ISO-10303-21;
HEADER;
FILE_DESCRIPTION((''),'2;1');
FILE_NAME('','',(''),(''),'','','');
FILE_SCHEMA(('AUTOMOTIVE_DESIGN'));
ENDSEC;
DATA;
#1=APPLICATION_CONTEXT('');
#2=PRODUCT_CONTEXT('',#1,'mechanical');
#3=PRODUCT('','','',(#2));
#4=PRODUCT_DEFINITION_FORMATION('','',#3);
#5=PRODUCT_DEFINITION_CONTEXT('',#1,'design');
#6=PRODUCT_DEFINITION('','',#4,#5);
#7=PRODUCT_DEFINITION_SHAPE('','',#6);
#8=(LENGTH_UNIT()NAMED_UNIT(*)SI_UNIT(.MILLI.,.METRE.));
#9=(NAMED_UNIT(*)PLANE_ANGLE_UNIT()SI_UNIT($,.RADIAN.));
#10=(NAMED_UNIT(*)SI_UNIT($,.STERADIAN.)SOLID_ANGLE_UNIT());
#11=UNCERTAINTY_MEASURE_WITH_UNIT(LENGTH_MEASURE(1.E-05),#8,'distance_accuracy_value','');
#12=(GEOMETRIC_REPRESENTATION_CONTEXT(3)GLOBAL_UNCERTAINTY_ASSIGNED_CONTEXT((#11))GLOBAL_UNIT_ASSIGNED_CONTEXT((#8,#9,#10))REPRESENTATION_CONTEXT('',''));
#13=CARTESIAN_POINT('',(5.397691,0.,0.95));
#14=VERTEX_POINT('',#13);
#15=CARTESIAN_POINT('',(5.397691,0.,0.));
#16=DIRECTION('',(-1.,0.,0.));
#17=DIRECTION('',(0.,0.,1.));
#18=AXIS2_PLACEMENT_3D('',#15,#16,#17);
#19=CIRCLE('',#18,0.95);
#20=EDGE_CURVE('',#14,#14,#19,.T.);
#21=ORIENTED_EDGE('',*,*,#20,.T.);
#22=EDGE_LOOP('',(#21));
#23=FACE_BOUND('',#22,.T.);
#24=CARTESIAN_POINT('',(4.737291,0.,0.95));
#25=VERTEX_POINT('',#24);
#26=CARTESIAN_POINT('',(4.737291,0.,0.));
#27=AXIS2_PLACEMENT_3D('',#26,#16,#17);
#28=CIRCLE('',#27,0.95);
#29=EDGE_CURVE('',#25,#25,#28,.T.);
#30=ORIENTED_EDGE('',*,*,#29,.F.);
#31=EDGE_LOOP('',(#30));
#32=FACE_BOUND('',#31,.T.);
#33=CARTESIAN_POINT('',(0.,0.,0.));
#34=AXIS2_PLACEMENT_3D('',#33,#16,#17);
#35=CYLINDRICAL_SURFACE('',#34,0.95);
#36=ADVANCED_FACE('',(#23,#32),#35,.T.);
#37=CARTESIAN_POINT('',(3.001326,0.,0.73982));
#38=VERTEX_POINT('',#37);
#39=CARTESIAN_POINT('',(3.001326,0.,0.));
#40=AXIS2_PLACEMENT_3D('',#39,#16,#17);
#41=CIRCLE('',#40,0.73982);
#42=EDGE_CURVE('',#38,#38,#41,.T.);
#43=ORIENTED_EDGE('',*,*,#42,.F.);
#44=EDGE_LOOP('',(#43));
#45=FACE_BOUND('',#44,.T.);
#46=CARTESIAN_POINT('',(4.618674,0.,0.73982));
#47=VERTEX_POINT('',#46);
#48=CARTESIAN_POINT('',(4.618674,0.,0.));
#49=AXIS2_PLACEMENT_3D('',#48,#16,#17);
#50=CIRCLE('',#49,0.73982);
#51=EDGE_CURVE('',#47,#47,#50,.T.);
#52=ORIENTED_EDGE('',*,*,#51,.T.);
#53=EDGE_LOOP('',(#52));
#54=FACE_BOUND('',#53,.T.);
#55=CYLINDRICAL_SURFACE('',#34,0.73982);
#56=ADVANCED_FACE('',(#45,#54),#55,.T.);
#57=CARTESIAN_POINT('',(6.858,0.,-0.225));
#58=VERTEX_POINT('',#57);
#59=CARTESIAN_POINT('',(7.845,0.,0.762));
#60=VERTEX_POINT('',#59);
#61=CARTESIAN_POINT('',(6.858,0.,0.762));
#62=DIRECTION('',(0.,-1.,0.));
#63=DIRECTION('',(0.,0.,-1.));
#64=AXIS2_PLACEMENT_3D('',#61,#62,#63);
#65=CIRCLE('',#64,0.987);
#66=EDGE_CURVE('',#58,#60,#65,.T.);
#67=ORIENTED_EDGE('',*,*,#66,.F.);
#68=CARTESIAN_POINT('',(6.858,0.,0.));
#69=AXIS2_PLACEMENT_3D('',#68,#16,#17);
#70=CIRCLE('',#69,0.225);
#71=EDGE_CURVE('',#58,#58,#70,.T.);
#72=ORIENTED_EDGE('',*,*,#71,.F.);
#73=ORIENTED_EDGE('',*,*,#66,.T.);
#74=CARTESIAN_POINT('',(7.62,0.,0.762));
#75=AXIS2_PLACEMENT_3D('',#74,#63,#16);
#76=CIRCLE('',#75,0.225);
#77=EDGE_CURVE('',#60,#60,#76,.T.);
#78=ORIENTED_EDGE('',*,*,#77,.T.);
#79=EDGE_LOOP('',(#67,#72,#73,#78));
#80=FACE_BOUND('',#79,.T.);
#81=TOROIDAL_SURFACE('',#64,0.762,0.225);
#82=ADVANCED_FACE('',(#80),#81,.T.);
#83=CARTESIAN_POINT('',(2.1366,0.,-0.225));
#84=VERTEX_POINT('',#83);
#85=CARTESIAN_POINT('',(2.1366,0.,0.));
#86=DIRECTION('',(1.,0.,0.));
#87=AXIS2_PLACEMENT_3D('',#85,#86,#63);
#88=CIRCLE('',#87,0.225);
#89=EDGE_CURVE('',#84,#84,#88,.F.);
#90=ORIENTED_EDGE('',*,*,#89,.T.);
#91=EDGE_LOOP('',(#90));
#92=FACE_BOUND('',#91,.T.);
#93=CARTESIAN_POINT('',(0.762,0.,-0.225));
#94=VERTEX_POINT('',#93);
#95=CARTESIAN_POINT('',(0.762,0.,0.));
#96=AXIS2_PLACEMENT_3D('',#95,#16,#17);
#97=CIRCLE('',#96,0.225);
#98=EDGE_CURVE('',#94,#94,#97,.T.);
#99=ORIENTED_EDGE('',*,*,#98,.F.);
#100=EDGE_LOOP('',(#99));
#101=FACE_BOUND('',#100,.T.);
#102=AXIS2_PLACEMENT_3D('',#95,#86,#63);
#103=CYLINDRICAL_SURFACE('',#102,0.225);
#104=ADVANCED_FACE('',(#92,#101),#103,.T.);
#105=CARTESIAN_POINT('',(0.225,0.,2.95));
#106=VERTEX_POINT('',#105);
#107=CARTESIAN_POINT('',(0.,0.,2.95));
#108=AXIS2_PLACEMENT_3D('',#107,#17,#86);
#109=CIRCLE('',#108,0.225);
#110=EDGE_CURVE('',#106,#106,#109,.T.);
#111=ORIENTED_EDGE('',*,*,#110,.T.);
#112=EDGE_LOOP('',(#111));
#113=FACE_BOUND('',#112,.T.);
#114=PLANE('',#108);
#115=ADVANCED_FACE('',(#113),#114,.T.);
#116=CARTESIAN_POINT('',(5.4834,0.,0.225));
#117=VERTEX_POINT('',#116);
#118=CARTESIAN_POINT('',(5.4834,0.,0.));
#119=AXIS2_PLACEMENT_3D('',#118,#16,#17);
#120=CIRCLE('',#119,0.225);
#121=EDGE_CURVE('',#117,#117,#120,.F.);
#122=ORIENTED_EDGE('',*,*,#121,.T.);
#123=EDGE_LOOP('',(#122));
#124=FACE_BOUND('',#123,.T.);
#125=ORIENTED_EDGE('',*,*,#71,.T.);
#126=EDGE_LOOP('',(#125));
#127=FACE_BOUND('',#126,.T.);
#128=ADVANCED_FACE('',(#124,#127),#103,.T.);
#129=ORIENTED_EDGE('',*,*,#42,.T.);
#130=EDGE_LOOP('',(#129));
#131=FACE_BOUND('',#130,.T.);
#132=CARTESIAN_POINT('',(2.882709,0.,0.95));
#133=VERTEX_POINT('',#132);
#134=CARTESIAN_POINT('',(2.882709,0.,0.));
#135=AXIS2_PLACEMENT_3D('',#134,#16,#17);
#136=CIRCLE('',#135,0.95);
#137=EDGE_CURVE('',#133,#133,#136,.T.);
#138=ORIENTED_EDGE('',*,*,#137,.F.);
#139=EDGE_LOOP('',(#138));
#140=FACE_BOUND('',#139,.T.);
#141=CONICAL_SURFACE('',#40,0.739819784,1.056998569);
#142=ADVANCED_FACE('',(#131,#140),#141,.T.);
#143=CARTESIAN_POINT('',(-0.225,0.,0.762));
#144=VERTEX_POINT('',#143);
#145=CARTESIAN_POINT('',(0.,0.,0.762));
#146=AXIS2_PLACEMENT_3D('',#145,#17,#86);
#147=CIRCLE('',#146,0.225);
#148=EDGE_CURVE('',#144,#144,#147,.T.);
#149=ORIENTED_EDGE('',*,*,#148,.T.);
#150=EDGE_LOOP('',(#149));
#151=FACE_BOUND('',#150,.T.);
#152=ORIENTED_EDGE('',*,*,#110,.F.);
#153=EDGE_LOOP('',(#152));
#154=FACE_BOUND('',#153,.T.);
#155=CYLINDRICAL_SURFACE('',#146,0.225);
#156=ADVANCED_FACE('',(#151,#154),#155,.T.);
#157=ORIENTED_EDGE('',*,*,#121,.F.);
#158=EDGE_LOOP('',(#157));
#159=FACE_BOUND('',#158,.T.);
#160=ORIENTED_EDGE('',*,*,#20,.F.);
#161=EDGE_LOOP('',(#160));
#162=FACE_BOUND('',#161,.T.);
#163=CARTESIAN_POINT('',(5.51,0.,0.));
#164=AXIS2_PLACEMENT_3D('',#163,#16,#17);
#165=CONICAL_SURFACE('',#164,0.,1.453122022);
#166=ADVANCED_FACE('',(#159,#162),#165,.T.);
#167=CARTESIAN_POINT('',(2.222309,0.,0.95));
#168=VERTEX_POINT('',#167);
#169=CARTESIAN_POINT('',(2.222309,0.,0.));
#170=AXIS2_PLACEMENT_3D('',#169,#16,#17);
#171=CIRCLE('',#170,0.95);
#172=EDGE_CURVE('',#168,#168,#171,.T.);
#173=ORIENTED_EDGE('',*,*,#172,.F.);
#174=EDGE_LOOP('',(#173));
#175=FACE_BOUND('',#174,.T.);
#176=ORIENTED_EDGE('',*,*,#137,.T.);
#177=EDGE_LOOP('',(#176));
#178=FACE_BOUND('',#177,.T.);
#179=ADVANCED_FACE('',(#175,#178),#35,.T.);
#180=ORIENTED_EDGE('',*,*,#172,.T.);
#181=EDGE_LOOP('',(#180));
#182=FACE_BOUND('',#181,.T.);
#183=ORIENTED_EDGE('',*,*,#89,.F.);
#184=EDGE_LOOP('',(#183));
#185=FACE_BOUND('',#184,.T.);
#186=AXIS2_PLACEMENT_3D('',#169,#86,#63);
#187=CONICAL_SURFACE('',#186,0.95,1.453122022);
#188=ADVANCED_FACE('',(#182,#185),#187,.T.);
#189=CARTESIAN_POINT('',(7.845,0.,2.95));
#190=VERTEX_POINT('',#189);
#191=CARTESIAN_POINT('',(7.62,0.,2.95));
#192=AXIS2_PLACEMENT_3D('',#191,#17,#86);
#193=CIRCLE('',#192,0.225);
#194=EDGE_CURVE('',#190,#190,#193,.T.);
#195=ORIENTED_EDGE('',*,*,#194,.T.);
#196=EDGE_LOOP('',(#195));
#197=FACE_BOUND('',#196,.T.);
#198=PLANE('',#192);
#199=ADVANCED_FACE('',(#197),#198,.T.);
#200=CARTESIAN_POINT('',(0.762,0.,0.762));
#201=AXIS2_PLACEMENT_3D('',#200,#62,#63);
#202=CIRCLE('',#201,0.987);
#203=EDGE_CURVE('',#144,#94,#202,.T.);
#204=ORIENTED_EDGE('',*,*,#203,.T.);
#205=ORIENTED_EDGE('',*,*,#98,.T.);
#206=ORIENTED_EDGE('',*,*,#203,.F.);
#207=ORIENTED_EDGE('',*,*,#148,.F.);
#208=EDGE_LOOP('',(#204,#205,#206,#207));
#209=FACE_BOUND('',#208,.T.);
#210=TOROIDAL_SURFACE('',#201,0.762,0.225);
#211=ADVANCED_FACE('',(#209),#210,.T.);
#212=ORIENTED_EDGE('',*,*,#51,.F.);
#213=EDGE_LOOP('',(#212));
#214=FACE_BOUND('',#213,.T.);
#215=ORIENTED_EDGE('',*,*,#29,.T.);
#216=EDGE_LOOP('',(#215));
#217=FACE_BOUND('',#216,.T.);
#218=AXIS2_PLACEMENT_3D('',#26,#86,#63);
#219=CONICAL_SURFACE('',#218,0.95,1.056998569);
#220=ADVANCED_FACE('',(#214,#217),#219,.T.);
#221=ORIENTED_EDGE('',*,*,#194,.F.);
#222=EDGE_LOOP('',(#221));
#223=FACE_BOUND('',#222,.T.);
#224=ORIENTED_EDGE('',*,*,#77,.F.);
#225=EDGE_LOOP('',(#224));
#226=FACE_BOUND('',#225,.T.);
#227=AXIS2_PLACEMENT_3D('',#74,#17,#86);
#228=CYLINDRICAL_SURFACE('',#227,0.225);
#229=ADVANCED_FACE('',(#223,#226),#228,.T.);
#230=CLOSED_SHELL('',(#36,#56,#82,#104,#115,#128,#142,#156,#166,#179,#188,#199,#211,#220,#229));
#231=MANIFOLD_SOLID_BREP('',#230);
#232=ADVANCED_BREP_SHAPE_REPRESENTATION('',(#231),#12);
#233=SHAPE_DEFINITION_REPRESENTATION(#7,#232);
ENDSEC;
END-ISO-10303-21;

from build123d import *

# Parameters (mm, degrees)
SKETCH5_R           = 0.225
SKETCH6_R           = 0.225
BOSS_EXTRUDE2_DEPTH = 2


with BuildPart() as part:
    # Sketch1 → Revolve1 (revolve)
    with BuildSketch(Plane.XY):
        Polygon((2.11, 0), (2.222309461, 0.95), (2.882709461, 0.95), (3.001325793, 0.739819784), (4.618674207, 0.739819784), (4.737290539, 0.95), (5.397690539, 0.95), (5.51, 0), align=None)
    revolve(axis=Axis((0, 0, 0), (1, 0, 0)))

    # Sweep4: sweep along a path in Sketch3
    with BuildLine(Plane(origin=(0, 0, 0), x_dir=(1, 0, 0), z_dir=(0, 1, 0))) as sweep4_path:
        Line((0, -0.949999878), (0, -0.762))
        ThreePointArc((0, -0.762), (0.223184633, -0.223184633), (0.762, 0))
        Line((0.762, 0), (2.222309461, 0))
        Line((2.222309461, 0), (5.51, 0))
        Line((5.51, 0), (6.858, 0))
        ThreePointArc((6.858, 0), (7.396815367, -0.223184633), (7.62, -0.762))
        Line((7.62, -0.762), (7.62, -0.949999878))
    # Sketch5 → Sweep4 (sweep)
    with BuildSketch(Plane.XY.offset(0.949999878)):
        Circle(SKETCH5_R)
    sweep(path=sweep4_path.line)

    # Sketch6 → Boss-Extrude2 (add)
    with BuildSketch(Plane.XY.offset(0.949999878)):
        Circle(SKETCH6_R)
        with Locations((7.62, 0)):
            Circle(SKETCH6_R)
    extrude(amount=BOSS_EXTRUDE2_DEPTH)


solid = part.part
